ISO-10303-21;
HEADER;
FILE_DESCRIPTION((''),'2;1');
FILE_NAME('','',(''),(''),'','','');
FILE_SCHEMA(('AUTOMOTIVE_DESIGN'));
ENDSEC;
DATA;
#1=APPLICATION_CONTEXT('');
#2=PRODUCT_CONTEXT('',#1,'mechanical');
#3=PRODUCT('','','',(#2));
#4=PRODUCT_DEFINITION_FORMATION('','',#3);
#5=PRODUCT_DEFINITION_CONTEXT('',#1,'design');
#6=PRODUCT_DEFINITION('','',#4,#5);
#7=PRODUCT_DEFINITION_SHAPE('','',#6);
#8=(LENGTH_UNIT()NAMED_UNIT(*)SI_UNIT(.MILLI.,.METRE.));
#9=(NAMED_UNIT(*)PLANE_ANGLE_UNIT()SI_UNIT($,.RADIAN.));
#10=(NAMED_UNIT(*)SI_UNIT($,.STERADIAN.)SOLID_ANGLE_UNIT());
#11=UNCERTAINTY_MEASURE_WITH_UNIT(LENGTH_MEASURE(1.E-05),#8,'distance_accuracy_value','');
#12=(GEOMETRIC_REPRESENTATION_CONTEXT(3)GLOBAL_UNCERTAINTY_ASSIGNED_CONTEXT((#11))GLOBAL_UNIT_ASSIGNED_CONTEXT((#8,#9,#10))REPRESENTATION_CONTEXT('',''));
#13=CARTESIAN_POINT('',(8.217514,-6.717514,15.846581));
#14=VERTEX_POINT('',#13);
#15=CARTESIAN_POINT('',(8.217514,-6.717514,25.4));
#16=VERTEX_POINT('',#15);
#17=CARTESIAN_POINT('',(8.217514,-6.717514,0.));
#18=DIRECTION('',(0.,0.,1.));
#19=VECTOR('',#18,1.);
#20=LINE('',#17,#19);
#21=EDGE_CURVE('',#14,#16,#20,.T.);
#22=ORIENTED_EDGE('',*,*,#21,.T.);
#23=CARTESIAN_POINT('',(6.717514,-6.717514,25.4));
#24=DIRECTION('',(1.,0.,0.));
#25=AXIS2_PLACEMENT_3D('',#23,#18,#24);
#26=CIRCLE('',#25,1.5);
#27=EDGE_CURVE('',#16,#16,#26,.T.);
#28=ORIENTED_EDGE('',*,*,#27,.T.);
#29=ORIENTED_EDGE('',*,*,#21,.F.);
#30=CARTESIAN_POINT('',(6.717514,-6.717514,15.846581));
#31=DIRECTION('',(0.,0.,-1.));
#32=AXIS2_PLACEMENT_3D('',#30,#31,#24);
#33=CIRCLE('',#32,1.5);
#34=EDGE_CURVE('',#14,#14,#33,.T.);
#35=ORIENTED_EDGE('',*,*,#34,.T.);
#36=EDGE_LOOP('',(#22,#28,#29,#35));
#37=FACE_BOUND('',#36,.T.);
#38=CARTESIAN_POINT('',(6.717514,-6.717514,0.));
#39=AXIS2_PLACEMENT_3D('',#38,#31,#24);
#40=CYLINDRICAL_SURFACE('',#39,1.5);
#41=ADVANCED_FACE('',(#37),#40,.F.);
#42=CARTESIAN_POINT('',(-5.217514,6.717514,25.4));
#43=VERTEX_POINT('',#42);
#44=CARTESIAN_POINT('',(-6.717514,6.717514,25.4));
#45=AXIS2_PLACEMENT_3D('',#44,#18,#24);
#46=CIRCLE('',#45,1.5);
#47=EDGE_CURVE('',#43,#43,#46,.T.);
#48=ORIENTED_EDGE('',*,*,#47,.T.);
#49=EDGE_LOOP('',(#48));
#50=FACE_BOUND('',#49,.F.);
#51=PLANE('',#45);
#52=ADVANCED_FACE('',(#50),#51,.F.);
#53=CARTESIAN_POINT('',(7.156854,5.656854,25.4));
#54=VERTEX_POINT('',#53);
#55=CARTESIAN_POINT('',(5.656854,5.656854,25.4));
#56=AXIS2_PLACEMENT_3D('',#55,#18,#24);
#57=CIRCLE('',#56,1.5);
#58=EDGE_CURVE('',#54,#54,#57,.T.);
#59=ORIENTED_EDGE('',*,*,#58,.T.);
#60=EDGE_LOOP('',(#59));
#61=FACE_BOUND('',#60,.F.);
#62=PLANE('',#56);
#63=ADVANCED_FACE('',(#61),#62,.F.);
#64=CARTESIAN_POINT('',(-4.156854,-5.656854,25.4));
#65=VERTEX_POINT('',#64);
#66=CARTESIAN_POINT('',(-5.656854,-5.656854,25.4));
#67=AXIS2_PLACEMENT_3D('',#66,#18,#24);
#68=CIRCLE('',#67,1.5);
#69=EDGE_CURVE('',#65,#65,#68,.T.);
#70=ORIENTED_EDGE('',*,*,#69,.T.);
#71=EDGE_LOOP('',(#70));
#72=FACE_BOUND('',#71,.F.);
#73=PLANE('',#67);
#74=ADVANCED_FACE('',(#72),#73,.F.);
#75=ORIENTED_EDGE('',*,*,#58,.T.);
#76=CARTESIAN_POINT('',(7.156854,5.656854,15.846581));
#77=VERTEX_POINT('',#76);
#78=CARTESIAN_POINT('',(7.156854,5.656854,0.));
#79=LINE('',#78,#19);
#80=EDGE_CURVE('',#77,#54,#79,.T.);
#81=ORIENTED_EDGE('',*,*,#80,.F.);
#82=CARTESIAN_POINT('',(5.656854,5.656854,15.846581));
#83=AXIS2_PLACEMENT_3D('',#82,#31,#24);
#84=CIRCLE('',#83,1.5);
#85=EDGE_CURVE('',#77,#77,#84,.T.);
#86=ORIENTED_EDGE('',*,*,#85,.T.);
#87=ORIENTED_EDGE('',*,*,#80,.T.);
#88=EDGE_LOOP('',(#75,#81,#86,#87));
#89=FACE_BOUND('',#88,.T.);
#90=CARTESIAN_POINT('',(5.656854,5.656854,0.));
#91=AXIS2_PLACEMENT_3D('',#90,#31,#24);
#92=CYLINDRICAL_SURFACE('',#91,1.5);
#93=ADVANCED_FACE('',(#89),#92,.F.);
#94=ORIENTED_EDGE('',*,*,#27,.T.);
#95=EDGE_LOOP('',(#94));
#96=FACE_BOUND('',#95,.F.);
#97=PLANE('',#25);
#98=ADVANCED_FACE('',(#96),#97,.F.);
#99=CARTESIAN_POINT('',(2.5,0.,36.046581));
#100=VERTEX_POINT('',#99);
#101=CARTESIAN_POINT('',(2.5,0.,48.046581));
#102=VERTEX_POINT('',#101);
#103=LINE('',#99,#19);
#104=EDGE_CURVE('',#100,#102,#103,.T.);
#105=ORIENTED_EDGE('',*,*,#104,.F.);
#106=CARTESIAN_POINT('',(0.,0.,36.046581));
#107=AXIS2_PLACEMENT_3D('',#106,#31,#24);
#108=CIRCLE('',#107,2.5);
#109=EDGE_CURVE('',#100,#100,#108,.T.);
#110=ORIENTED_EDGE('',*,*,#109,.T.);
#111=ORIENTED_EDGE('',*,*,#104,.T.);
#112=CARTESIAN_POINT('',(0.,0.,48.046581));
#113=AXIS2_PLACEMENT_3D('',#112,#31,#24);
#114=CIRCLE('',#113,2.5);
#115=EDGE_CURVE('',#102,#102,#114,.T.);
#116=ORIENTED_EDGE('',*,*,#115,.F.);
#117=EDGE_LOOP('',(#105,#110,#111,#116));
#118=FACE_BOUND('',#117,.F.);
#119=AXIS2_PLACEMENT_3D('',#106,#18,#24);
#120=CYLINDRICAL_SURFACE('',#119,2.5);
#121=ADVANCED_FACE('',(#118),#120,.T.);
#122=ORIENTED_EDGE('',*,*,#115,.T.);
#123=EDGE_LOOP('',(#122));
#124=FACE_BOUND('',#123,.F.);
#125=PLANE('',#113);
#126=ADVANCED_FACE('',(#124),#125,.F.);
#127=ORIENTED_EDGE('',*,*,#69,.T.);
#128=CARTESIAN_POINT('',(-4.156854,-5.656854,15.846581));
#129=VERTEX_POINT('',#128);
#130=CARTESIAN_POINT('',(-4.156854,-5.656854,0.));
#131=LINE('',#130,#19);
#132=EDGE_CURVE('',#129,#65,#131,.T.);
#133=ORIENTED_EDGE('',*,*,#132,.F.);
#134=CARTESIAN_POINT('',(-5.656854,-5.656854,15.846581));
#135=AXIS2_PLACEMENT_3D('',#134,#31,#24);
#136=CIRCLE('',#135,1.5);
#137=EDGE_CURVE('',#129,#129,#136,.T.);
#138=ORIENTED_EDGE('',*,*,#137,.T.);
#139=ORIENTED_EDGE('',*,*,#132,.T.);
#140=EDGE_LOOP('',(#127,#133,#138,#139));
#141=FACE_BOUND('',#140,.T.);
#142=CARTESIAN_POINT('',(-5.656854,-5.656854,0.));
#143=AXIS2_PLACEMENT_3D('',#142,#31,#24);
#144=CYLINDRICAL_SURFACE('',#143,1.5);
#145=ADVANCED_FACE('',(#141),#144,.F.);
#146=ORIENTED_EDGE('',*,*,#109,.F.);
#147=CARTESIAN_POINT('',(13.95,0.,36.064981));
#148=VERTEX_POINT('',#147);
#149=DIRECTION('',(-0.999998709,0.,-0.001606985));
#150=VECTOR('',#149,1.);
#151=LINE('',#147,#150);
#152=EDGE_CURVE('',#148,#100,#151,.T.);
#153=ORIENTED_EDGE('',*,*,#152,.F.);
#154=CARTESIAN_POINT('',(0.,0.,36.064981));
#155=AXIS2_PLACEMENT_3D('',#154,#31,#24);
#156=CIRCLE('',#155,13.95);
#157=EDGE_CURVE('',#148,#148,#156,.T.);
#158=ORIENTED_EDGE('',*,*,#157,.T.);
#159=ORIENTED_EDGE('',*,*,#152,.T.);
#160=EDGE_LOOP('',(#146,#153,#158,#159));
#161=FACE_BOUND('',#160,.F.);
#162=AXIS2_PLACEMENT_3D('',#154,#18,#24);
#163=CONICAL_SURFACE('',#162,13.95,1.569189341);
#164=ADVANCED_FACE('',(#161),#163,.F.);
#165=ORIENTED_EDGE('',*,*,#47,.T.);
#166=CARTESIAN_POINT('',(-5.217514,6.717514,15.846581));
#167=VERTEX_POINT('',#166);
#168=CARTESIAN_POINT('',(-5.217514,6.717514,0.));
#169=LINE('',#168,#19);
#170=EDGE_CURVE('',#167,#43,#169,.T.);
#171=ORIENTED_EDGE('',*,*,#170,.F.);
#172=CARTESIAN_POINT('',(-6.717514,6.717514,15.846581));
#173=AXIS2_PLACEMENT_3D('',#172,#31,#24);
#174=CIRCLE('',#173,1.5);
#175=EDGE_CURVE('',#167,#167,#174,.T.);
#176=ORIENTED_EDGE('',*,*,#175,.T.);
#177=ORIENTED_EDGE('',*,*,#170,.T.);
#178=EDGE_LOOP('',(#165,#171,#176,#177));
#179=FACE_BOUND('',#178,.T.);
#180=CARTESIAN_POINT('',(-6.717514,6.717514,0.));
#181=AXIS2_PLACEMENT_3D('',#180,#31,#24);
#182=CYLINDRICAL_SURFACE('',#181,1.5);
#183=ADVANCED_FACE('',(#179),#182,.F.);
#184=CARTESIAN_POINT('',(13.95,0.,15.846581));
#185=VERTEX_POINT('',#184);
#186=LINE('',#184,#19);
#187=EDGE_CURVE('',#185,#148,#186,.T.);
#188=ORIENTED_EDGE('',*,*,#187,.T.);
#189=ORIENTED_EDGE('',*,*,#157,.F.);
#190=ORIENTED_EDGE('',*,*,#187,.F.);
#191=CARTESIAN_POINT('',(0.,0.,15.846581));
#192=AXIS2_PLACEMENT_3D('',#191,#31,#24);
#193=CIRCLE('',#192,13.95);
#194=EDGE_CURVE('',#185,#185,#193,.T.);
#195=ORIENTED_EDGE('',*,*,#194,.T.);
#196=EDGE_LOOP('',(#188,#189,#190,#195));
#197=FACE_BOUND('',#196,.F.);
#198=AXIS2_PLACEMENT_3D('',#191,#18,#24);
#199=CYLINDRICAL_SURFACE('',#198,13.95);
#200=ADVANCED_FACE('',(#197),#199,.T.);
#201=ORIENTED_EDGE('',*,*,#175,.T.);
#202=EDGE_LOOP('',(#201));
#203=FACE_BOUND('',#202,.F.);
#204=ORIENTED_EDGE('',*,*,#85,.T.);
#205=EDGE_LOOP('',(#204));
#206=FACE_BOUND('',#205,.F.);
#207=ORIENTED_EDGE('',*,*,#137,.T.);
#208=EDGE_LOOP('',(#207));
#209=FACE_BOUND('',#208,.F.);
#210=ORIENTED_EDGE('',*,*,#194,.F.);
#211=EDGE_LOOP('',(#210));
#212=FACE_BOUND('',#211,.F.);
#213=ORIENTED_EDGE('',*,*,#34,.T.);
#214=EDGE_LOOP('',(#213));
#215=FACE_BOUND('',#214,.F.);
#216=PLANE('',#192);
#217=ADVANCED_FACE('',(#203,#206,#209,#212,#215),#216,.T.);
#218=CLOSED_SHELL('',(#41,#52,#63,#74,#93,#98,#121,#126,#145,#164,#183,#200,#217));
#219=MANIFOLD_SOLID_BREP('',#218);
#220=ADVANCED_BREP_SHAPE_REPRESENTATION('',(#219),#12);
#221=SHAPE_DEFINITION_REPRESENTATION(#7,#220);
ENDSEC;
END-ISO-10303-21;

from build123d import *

# Parameters (mm, degrees)
F2_R     = 1.5
F4_DEPTH = 25.4
F3_R     = 1.5
F5_DEPTH = 25.4


with BuildPart() as f1:
    # F0 (on Front) → F1 (revolve)
    with BuildSketch(Plane.XZ):
        Polygon((0, 48.046581), (0, 15.846581), (13.95, 15.846581), (13.95, 36.064981), (2.5, 36.046581), (2.5, 48.046581), align=None)
    revolve(axis=Axis((0, 0, 31.946581), (0, 0, -1)))

    # F2 (on Top) → F4 (cut)
    with BuildSketch(Plane.XY):
        with Locations((6.717514, -6.717514)):
            Circle(F2_R)
        with Locations((-6.717514, 6.717514)):
            Circle(F2_R)
    extrude(amount=F4_DEPTH, mode=Mode.SUBTRACT)

    # F3 (on Top) → F5 (cut)
    with BuildSketch(Plane.XY):
        with Locations((-5.656854, -5.656854)):
            Circle(F3_R)
        with Locations((5.656854, 5.656854)):
            Circle(F3_R)
    extrude(amount=F5_DEPTH, mode=Mode.SUBTRACT)


solid = f1.part
